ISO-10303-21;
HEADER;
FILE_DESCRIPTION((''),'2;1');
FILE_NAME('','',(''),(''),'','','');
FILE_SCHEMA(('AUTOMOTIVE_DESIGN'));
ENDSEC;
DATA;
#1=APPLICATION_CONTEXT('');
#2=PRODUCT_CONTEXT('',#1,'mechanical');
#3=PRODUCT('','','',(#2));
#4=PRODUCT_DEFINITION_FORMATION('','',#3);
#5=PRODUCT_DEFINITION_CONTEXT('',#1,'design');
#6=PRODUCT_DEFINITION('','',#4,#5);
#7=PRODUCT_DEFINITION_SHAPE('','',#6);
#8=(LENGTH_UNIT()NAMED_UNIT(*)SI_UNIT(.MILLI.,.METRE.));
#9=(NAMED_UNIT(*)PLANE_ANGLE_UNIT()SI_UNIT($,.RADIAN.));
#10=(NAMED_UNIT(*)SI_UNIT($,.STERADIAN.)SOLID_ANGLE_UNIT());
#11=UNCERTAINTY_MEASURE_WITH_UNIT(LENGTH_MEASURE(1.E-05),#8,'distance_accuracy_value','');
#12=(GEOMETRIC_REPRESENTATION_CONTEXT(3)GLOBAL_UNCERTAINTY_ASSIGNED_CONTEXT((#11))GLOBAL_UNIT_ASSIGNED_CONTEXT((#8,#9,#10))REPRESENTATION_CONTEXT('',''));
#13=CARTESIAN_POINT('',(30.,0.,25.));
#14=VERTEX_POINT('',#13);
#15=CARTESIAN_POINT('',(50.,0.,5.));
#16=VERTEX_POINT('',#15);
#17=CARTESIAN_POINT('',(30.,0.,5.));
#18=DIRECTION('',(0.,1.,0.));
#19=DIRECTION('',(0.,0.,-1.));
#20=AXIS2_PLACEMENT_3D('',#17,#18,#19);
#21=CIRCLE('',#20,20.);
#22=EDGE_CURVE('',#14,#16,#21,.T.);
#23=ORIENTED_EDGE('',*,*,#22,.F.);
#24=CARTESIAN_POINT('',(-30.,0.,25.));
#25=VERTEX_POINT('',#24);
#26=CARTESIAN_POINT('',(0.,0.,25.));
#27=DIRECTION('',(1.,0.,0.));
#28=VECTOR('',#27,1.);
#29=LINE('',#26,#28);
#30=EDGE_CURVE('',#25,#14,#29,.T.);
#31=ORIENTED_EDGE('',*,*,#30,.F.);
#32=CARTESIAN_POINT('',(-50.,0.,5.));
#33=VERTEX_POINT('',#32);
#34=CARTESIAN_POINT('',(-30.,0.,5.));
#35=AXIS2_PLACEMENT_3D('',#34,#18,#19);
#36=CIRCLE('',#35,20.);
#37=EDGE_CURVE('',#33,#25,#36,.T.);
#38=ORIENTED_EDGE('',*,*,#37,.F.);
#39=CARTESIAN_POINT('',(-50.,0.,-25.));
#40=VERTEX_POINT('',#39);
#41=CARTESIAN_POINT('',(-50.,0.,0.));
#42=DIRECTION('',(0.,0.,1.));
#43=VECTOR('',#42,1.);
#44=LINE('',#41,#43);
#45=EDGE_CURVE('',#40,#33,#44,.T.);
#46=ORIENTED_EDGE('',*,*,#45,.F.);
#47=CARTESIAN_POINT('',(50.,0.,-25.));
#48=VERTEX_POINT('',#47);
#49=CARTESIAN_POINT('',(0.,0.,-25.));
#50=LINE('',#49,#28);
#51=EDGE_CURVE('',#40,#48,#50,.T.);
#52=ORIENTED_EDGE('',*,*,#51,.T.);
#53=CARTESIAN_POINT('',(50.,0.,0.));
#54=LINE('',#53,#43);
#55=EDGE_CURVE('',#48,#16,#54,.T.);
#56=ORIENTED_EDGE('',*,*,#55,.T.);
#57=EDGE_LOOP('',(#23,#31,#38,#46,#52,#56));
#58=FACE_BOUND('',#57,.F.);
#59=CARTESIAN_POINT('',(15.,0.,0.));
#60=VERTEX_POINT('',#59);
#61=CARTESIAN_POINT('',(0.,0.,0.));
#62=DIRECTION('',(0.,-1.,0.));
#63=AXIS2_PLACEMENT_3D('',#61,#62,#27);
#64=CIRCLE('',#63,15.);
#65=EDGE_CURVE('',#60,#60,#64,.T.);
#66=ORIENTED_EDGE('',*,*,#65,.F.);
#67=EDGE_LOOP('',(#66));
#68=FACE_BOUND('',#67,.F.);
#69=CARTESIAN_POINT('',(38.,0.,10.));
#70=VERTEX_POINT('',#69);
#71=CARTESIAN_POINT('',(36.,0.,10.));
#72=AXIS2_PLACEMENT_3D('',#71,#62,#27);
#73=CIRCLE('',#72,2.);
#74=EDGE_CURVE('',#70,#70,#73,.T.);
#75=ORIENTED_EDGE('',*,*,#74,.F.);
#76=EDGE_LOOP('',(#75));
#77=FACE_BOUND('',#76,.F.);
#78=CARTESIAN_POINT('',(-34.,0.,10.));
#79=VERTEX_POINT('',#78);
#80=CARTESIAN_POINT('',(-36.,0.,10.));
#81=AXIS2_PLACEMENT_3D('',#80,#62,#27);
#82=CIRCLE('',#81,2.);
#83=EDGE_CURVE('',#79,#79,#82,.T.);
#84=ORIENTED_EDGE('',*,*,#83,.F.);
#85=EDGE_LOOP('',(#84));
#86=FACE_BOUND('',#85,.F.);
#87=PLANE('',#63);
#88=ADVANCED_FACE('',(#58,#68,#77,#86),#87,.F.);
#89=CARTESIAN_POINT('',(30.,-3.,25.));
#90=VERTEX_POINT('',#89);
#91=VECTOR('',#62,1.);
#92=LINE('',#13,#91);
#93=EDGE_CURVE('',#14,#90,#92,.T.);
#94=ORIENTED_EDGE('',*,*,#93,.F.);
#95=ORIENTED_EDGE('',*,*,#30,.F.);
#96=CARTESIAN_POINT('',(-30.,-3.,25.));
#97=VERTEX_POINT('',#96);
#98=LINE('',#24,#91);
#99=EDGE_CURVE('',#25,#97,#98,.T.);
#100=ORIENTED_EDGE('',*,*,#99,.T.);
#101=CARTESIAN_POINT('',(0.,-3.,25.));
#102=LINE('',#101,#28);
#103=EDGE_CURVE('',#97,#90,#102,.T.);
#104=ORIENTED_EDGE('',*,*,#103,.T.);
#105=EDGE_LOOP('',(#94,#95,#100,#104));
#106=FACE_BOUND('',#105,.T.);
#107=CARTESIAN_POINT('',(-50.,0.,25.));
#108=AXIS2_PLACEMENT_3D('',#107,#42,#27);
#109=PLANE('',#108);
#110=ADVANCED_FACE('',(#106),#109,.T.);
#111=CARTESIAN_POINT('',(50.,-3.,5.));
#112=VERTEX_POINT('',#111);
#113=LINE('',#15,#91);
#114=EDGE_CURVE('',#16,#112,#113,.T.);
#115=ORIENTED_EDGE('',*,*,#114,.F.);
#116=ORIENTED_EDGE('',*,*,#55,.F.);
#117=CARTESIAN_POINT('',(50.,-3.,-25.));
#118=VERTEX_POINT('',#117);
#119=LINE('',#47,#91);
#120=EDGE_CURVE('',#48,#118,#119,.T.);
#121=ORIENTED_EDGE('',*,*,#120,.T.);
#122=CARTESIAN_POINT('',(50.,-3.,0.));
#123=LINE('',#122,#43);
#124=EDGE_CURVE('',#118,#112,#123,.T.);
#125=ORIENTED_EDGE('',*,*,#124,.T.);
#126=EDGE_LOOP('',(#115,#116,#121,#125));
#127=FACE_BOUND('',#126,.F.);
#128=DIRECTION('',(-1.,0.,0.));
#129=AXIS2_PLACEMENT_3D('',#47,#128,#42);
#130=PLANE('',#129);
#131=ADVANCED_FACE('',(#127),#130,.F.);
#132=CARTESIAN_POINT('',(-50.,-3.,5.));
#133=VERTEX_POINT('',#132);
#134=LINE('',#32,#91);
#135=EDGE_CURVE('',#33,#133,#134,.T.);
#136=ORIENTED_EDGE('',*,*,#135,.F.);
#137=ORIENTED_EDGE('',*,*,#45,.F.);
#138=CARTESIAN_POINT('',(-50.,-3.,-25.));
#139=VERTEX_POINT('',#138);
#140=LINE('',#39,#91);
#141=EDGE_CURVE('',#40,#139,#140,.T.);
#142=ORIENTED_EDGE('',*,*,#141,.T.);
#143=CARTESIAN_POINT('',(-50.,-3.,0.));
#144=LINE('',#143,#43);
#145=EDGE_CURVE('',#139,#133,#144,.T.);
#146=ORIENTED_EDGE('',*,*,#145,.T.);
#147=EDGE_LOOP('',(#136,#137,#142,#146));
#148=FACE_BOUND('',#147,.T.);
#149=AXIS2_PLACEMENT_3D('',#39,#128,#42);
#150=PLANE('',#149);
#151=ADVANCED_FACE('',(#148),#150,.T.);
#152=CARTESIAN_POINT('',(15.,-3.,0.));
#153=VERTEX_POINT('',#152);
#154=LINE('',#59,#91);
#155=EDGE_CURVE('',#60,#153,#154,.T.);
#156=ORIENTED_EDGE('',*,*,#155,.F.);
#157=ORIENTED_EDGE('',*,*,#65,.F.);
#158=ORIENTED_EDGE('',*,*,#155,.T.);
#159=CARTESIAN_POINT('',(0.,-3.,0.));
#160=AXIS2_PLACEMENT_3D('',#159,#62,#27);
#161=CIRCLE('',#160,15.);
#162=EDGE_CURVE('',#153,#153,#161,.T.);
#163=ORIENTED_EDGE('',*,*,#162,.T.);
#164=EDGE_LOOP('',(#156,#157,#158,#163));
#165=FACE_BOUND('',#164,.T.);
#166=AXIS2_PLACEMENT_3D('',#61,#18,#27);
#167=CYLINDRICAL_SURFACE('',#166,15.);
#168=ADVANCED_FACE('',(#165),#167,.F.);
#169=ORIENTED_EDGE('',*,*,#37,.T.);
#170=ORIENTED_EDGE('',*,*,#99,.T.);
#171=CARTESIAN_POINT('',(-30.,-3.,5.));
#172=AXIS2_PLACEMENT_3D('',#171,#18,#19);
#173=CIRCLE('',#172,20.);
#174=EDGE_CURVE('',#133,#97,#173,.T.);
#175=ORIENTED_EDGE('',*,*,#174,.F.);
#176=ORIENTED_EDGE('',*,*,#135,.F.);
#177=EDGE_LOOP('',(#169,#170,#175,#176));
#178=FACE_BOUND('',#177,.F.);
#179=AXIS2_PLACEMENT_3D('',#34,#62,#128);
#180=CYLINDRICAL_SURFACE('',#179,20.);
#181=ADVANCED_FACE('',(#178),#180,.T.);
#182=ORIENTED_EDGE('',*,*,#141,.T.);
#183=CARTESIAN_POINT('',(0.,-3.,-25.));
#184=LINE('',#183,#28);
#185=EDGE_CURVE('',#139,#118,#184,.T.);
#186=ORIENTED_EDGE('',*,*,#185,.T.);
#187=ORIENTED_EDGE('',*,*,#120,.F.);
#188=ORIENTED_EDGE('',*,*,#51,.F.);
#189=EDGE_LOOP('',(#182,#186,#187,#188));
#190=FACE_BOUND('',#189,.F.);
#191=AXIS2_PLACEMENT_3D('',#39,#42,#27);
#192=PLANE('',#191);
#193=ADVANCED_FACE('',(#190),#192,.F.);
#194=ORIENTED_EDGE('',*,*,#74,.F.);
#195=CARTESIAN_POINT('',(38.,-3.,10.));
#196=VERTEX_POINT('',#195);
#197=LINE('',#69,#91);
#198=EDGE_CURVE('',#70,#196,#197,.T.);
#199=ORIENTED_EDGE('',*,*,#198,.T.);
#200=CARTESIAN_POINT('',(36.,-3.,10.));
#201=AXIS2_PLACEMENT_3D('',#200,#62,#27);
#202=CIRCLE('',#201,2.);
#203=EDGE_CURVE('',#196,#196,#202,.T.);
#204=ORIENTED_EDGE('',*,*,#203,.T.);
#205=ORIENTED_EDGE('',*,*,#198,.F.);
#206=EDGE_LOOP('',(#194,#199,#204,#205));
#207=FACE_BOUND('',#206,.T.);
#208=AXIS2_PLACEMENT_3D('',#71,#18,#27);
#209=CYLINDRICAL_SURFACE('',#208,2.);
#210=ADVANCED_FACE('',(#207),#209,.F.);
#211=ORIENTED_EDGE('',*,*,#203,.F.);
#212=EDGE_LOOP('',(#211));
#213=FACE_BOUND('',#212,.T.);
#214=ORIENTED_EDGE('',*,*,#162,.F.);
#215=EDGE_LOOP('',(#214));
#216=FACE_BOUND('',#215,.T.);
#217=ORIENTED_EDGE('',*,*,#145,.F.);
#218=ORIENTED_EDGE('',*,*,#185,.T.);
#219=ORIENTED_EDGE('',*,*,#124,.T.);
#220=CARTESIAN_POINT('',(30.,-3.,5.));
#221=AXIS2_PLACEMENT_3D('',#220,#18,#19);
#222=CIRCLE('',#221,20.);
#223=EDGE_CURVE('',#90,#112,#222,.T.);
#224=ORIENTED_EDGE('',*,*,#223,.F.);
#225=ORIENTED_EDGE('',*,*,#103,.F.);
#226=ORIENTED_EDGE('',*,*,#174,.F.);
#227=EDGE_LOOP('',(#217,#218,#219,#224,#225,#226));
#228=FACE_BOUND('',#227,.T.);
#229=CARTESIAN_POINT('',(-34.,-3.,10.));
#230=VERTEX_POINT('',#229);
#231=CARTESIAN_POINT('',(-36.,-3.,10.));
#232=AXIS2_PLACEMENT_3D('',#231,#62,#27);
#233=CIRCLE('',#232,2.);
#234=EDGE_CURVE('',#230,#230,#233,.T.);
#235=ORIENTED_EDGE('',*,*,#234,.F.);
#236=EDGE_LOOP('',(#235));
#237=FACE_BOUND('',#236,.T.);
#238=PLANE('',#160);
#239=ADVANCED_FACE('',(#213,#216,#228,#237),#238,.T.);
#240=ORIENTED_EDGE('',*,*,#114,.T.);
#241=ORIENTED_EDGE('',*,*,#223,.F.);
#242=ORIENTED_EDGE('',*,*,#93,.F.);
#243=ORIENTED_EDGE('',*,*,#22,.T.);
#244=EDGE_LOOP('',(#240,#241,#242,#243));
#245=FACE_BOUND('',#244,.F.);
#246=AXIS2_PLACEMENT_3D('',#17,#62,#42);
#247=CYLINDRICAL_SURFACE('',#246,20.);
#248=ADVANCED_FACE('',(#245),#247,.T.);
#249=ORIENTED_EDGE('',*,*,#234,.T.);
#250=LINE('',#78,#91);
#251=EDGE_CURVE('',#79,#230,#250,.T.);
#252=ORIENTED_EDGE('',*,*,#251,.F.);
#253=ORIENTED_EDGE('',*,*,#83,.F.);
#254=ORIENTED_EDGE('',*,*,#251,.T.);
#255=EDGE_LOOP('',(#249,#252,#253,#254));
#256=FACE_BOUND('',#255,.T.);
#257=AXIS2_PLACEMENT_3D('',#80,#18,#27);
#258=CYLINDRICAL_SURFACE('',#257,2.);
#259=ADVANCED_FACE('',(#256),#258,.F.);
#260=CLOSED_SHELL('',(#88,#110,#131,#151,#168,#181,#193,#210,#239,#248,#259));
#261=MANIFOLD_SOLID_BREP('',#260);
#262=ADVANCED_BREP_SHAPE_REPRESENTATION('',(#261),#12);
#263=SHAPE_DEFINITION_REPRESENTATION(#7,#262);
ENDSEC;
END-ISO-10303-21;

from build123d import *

# Parameters (mm, degrees)
F0_W     = 100
F0_H     = 50
F0_R     = 2
F0_R_2   = 15
F1_DEPTH = 3
F2_R     = 20


with BuildPart() as f1:
    # F0 (on Front) → F1 (new body)
    with BuildSketch(Plane.XZ):
        Rectangle(F0_W, F0_H)
        with Locations((-36, 10)):
            Circle(F0_R, mode=Mode.SUBTRACT)
        Circle(F0_R_2, mode=Mode.SUBTRACT)
        with Locations((36, 10)):
            Circle(F0_R, mode=Mode.SUBTRACT)
    extrude(amount=F1_DEPTH)

    # F2
    f2_edges = [f1.edges().sort_by_distance(p)[0] for p in [
        (-50, -1.5, 25),
        (50, -1.5, 25),
    ]]
    fillet(f2_edges, radius=F2_R)


solid = f1.part
